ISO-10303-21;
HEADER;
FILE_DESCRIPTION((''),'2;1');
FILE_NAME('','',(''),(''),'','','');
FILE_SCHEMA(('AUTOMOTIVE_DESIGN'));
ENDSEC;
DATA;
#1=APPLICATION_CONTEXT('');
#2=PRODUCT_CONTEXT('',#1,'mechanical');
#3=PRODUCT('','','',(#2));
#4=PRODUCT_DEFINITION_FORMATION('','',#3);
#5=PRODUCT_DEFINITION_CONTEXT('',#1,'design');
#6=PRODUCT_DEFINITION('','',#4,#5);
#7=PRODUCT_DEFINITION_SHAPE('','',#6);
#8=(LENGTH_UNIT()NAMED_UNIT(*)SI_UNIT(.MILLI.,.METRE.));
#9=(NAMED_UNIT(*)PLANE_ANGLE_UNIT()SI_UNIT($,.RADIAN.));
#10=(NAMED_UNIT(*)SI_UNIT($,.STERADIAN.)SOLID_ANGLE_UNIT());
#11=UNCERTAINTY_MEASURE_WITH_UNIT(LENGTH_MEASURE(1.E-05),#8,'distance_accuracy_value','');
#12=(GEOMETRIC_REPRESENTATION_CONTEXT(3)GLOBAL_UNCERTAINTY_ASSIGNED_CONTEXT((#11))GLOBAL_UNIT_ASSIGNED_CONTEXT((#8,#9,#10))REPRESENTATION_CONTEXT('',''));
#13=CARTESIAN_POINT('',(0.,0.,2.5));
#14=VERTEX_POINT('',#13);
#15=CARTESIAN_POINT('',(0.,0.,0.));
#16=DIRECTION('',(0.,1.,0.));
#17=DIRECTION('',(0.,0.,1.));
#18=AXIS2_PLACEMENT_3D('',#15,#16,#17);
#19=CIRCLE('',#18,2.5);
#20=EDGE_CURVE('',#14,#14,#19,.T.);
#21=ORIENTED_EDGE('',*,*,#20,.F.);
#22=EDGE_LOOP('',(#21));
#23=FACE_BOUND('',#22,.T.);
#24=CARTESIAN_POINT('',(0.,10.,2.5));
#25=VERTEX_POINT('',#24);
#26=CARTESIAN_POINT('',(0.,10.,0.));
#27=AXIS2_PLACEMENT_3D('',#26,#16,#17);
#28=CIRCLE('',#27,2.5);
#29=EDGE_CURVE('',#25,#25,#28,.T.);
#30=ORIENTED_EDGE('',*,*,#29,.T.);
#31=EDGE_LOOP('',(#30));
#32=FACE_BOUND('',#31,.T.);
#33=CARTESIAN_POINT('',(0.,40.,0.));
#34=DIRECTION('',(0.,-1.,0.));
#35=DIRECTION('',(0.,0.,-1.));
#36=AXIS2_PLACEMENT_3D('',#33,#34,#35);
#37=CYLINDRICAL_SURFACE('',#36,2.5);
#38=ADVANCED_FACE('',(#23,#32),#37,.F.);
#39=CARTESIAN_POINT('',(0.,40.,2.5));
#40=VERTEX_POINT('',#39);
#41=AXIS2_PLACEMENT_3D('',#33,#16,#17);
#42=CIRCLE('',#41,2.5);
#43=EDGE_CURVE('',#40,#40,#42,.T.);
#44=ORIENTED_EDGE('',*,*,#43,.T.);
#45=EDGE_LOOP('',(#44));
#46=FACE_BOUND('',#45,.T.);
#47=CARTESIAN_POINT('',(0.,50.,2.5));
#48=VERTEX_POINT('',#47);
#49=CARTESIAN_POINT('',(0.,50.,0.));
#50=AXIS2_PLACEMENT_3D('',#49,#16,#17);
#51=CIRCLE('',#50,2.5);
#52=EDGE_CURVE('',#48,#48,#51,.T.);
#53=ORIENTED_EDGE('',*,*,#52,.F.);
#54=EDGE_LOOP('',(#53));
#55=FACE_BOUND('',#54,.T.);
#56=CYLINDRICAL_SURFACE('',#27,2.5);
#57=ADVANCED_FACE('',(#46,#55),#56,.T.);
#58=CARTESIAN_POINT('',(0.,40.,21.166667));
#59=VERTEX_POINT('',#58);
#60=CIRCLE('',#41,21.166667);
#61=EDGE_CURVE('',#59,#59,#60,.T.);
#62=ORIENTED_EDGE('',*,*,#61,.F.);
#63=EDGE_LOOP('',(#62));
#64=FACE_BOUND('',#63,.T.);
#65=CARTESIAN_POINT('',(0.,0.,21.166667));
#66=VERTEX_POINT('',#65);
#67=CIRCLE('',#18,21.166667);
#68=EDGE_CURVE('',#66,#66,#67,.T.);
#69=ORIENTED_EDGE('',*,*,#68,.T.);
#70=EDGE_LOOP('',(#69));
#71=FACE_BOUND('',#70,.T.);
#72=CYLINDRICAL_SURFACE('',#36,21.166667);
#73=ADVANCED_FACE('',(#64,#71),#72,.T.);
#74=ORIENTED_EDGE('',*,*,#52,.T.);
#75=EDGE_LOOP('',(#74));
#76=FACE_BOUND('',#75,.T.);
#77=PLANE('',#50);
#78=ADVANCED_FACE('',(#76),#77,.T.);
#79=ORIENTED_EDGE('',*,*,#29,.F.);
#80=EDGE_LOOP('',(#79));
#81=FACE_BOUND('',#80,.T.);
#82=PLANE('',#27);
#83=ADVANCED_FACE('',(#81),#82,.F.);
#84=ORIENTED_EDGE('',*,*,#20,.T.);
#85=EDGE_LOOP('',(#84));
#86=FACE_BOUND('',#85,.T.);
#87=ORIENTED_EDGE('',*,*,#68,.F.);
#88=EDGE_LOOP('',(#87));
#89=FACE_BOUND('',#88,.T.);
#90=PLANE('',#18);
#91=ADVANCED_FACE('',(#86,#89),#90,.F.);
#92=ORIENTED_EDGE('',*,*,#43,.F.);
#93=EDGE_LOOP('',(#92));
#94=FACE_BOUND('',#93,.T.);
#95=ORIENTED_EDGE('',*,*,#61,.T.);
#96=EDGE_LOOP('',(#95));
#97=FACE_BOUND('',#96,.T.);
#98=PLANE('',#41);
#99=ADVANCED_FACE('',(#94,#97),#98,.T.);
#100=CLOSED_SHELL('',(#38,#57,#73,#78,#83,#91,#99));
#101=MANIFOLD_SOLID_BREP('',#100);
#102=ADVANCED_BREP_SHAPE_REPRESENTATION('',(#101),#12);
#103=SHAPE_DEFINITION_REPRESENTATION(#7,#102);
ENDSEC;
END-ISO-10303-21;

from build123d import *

# Parameters (mm, degrees)
SKETCH1_R                = 21.166666667
SKETCH1_R_2              = 2.5
BOSS_EXTRUDE1_DEPTH      = 40
SKETCH2_R                = 2.5
BOSS_EXTRUDE2_DEPTH      = 10
BOSS_EXTRUDE2_DEPTH_BACK = 30


with BuildPart() as part:
    # Sketch1 → Boss-Extrude1 (new body)
    with BuildSketch(Plane(origin=(0, 0, 0), x_dir=(1, 0, 0), z_dir=(0, 1, 0))):
        Circle(SKETCH1_R)
        Circle(SKETCH1_R_2, mode=Mode.SUBTRACT)
    extrude(amount=BOSS_EXTRUDE1_DEPTH)

    # Sketch2 → Boss-Extrude2 (add, two sides)
    with BuildSketch(Plane(origin=(0, 40, 0), x_dir=(1, 0, 0), z_dir=(0, 1, 0))) as boss_extrude2_sk:
        Circle(SKETCH2_R)
    extrude(amount=BOSS_EXTRUDE2_DEPTH)
    extrude(boss_extrude2_sk.sketch, amount=-BOSS_EXTRUDE2_DEPTH_BACK)


solid = part.part
